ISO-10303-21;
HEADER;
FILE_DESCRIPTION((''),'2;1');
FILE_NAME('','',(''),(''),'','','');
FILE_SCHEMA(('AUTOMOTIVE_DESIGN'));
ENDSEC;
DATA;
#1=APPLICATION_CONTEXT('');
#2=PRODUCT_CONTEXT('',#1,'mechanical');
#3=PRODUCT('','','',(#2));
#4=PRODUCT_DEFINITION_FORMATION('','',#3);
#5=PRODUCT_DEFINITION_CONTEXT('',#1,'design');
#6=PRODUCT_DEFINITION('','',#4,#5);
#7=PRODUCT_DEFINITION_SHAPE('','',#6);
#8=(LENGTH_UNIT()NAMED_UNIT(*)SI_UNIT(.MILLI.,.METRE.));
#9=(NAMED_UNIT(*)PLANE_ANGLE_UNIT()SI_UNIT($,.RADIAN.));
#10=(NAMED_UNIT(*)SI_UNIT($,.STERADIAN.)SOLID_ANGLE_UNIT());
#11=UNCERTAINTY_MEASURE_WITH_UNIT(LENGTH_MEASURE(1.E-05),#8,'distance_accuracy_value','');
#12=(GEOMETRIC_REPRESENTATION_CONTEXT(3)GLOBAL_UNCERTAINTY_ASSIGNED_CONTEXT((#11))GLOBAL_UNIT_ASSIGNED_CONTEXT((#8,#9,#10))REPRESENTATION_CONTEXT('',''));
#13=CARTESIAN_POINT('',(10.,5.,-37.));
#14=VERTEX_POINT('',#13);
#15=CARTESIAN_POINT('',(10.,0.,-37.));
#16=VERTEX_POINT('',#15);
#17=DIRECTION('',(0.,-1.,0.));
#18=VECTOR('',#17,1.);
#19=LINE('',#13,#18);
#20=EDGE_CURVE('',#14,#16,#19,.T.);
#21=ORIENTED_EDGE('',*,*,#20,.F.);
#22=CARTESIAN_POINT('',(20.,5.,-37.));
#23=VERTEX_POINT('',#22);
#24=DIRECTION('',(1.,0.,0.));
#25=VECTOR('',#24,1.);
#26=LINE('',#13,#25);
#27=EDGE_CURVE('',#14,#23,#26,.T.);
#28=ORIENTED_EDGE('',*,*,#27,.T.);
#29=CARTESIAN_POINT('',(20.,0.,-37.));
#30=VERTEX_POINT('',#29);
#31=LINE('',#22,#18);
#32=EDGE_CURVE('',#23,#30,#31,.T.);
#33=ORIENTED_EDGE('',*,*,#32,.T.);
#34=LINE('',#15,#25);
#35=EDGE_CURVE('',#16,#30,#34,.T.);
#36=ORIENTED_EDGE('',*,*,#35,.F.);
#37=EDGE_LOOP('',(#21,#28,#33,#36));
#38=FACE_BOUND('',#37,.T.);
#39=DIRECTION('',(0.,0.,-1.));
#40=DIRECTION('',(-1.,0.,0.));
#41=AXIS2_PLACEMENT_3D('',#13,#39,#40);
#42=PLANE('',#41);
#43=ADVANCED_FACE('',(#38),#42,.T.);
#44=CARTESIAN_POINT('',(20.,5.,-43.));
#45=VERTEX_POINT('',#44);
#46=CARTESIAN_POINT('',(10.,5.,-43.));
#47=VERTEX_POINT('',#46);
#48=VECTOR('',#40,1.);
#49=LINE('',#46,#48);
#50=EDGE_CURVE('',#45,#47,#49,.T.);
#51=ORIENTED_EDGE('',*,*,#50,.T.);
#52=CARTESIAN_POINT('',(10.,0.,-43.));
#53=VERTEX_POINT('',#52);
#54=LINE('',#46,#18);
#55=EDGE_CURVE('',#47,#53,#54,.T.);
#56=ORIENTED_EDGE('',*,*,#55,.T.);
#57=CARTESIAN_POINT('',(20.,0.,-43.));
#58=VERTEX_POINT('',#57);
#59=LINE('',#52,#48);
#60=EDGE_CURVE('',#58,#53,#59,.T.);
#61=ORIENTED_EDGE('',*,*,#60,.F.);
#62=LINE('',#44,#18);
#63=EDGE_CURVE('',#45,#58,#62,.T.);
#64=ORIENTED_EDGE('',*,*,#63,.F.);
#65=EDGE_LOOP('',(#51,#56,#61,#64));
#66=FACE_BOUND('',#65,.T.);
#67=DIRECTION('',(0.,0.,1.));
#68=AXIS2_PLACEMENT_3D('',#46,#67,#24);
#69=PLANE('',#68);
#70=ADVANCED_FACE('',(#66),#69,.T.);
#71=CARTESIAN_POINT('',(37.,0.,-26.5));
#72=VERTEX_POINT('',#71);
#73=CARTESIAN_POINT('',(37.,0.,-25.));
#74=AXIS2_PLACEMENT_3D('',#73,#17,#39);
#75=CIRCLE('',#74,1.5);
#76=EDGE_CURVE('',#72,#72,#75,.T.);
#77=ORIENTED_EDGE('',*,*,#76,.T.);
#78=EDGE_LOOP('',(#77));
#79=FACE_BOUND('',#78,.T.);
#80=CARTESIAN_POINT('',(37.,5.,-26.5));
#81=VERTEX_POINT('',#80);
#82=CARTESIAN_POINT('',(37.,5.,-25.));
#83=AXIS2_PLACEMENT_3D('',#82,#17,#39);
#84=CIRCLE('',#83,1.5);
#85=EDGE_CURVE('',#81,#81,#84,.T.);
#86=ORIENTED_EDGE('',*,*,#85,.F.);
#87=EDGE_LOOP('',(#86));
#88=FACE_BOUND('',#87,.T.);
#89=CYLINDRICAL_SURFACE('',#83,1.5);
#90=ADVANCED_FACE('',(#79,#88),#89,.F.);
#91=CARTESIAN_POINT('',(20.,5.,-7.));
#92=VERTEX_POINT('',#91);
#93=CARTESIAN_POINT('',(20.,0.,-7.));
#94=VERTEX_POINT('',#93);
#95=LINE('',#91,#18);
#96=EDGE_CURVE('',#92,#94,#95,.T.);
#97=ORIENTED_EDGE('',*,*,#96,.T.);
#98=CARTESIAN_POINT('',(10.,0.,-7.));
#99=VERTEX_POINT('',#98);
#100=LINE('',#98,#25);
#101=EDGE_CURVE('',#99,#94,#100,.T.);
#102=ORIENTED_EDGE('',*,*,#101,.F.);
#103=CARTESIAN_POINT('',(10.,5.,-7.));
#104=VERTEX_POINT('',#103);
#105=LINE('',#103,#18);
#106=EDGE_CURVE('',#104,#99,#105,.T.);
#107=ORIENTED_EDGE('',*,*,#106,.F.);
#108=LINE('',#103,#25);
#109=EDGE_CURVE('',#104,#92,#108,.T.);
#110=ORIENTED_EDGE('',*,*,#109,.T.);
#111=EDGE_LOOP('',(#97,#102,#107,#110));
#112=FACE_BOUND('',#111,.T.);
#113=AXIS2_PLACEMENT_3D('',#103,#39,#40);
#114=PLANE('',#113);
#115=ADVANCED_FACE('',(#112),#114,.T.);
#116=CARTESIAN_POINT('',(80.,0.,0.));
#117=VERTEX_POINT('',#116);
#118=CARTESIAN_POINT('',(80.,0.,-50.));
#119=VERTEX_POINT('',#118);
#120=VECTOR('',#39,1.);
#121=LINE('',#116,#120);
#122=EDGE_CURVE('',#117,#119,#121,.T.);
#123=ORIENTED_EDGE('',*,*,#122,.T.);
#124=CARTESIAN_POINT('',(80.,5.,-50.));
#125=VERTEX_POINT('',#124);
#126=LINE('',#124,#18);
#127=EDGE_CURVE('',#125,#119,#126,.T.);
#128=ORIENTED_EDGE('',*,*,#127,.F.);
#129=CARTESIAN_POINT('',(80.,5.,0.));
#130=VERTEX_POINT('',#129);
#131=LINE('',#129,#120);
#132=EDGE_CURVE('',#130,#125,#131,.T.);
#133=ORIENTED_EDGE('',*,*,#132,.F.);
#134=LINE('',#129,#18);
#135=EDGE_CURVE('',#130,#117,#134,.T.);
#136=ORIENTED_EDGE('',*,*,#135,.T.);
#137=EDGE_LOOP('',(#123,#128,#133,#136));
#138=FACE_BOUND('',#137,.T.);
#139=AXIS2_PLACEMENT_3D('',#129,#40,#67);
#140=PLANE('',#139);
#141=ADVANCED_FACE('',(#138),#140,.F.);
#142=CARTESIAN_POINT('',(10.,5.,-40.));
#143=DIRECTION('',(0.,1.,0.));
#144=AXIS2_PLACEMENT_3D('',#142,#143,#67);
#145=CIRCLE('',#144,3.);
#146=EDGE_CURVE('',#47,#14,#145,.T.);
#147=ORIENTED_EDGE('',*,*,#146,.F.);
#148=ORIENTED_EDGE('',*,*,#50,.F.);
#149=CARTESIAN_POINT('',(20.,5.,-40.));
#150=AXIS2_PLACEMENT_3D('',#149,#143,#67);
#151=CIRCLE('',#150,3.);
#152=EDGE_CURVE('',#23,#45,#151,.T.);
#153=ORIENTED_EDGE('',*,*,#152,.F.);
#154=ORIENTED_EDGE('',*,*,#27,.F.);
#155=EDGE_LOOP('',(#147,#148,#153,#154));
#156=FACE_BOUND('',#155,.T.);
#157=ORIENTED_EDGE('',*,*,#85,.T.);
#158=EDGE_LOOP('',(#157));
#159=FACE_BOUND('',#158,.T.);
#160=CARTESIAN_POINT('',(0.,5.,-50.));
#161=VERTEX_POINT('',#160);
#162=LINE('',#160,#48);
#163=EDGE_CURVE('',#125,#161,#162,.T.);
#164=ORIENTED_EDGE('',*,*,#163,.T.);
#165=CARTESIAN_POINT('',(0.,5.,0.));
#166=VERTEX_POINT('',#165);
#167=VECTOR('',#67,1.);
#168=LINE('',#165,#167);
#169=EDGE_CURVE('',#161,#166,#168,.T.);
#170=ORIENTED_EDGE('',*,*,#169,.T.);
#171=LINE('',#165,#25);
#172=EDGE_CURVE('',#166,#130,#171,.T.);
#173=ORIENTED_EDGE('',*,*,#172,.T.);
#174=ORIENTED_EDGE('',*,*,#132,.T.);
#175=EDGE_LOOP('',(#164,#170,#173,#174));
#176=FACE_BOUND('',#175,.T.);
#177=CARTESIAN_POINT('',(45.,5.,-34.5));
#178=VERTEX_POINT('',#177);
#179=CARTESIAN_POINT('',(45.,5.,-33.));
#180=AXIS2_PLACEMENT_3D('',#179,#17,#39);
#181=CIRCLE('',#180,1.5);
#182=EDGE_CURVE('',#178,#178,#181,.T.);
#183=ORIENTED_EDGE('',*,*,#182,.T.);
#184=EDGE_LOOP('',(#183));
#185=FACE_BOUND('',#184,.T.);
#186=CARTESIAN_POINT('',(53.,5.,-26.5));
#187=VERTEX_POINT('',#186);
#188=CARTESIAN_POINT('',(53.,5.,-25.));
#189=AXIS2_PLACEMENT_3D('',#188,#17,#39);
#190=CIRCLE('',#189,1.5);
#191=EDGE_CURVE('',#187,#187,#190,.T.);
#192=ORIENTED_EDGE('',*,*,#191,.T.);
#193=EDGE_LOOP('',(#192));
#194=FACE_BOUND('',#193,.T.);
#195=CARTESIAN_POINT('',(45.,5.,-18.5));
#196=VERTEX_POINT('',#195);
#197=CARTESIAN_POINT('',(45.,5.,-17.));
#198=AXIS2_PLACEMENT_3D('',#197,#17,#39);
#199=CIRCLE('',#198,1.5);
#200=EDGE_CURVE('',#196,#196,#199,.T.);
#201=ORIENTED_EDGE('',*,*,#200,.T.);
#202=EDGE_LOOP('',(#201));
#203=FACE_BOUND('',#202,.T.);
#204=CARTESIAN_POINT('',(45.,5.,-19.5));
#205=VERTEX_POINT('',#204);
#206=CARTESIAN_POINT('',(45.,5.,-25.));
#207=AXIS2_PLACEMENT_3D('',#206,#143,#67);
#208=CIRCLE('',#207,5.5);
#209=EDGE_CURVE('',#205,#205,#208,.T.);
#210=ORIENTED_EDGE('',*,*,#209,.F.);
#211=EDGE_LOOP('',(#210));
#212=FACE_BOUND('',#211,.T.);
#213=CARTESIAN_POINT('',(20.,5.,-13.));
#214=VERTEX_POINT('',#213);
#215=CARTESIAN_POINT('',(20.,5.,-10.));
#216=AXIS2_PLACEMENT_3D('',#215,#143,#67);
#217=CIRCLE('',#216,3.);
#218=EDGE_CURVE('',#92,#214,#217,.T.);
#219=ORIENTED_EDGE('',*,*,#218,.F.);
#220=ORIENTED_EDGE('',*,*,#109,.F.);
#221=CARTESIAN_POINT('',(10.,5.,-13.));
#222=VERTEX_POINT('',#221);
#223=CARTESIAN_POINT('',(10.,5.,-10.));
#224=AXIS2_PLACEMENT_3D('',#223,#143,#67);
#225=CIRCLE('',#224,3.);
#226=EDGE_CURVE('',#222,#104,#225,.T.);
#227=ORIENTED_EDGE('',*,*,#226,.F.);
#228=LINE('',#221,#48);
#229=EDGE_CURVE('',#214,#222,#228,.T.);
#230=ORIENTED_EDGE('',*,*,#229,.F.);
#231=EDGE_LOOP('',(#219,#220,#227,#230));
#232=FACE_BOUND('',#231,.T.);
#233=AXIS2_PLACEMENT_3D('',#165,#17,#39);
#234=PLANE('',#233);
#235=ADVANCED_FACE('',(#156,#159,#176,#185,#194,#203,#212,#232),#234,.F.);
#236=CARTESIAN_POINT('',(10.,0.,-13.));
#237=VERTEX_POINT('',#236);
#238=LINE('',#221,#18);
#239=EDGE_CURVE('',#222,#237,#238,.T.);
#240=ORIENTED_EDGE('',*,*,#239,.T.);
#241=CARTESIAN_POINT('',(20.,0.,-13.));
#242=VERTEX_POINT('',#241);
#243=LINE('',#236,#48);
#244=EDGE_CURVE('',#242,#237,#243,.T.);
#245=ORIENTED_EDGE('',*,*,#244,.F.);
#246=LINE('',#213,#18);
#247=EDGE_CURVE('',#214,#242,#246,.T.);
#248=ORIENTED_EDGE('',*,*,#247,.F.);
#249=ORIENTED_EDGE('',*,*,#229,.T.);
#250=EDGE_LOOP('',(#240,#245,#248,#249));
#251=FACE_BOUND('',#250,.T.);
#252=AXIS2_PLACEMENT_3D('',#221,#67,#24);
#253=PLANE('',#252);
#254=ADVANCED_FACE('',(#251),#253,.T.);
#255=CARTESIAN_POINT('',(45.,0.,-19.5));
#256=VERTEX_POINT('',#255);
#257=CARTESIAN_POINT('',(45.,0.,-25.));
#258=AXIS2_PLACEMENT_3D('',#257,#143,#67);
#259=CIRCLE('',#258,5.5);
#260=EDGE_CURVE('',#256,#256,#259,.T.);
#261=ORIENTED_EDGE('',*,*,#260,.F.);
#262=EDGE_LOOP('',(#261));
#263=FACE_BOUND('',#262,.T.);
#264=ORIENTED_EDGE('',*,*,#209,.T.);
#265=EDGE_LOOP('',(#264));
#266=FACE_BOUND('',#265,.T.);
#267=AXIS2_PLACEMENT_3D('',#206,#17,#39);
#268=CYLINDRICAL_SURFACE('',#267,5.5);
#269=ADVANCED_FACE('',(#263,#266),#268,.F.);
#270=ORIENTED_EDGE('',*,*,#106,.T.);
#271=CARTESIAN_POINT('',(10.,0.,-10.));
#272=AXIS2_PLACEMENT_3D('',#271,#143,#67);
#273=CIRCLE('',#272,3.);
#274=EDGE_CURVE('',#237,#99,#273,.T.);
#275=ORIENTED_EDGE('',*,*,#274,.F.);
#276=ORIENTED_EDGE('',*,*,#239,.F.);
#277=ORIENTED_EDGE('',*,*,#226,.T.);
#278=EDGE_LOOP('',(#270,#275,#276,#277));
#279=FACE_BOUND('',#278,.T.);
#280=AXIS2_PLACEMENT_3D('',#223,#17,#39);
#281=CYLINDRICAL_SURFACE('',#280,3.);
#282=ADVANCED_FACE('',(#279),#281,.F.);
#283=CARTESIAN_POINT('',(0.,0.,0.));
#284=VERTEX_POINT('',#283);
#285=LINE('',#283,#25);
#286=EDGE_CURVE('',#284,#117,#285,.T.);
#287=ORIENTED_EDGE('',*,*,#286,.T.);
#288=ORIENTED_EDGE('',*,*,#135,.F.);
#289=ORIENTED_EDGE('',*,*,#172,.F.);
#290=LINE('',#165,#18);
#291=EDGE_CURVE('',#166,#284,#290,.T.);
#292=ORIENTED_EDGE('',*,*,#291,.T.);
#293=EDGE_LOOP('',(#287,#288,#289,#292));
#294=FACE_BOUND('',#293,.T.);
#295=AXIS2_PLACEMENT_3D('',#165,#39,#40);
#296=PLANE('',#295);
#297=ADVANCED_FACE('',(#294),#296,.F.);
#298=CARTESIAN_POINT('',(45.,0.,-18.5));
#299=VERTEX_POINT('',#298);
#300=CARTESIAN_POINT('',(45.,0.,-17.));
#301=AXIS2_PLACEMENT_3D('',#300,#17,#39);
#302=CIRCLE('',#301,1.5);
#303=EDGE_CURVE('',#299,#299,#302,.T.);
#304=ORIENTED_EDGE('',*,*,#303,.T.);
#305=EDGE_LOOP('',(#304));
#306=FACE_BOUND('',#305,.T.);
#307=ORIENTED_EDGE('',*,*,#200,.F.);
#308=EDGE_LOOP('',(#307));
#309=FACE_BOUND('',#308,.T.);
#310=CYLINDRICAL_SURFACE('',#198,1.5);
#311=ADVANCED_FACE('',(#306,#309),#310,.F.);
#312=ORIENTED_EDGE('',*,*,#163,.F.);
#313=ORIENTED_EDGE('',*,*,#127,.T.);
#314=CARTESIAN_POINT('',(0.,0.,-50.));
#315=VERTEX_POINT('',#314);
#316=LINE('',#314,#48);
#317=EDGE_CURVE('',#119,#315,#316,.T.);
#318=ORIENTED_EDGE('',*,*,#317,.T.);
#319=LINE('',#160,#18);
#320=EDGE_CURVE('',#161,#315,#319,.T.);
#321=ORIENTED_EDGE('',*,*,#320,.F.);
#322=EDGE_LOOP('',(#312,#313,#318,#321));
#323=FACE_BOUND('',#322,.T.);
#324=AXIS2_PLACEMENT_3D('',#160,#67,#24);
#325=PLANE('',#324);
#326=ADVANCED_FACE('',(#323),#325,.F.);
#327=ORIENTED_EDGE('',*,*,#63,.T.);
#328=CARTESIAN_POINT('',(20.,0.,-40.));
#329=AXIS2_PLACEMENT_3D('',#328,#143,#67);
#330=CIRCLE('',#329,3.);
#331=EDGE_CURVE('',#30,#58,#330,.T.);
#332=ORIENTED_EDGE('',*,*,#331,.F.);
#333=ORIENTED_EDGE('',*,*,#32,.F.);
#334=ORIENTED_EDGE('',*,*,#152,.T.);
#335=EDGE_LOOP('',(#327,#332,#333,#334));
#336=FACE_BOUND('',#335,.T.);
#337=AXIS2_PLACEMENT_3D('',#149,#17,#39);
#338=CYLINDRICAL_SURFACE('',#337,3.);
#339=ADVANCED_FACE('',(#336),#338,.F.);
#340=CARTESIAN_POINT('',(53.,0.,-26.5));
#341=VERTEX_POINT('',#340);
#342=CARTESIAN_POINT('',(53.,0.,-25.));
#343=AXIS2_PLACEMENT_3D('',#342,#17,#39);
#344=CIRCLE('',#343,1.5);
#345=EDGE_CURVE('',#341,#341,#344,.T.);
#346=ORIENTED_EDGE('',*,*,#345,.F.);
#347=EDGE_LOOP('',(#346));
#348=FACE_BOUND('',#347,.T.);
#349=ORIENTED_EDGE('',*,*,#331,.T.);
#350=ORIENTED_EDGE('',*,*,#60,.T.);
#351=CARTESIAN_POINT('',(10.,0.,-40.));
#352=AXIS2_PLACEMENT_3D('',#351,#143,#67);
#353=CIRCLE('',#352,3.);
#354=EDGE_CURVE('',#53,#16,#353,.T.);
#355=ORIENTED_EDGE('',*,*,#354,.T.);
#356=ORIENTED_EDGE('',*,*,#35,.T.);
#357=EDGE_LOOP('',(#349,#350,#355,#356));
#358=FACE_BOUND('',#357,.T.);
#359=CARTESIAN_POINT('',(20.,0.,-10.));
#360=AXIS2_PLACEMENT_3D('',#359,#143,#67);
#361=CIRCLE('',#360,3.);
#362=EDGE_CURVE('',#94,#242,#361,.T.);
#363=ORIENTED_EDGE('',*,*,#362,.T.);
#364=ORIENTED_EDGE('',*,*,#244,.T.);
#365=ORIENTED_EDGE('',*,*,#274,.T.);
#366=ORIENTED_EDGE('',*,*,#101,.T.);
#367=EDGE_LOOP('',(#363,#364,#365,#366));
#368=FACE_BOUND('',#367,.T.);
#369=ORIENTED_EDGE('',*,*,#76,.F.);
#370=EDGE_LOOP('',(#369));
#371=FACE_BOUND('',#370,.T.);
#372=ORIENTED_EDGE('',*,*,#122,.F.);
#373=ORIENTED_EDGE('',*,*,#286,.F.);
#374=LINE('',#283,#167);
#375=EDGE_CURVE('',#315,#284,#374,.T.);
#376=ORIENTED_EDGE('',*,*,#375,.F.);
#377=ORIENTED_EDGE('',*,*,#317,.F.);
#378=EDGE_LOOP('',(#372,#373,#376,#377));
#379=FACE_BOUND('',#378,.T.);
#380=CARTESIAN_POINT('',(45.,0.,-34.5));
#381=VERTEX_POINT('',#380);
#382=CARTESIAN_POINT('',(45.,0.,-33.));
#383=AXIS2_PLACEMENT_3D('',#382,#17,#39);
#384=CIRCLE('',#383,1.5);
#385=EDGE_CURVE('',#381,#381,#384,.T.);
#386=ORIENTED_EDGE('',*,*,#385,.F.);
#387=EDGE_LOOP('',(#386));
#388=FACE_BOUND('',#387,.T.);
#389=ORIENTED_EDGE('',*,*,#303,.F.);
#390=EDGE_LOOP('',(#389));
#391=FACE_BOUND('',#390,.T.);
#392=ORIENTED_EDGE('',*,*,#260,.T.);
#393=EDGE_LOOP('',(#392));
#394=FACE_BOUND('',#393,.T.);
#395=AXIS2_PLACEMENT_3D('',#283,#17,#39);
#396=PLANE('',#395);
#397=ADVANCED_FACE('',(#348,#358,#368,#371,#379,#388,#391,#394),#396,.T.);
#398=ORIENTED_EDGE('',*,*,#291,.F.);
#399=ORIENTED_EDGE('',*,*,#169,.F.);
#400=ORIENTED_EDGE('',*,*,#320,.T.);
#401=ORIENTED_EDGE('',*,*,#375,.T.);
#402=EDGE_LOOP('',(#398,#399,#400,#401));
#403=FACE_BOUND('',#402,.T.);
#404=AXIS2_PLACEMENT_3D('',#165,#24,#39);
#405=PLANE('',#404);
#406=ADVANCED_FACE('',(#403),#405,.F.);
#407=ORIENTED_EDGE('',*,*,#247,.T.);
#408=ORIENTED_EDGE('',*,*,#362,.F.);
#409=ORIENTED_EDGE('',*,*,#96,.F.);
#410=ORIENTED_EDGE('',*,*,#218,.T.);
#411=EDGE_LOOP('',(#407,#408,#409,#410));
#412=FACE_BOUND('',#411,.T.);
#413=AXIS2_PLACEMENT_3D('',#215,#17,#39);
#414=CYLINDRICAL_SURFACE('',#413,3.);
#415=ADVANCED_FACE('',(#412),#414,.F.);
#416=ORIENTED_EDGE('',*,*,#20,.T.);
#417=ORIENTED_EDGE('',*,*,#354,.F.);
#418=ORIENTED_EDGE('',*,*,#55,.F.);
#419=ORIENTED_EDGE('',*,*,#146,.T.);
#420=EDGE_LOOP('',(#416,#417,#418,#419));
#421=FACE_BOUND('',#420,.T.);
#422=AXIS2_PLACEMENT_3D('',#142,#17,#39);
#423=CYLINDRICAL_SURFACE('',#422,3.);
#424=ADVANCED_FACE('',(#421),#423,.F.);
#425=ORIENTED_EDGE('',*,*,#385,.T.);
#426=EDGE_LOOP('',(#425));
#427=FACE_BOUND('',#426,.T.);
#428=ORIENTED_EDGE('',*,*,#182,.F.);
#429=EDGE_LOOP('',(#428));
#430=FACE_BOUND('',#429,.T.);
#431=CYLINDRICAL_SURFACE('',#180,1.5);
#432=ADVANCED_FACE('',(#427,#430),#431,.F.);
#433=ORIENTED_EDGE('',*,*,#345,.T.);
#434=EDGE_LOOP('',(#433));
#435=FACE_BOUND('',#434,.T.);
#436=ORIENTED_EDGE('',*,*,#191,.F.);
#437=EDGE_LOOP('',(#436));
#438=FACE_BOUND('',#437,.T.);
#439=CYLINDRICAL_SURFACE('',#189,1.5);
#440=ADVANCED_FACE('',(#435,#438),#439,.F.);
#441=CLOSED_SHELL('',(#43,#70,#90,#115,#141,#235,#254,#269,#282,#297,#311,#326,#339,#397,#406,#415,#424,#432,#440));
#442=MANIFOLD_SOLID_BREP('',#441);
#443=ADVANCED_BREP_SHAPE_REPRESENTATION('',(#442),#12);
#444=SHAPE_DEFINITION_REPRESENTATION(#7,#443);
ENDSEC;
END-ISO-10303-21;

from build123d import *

# Parameters (mm, degrees)
SKETCH1_W           = 80
SKETCH1_H           = 50
SKETCH1_R           = 5.5
BOSS_EXTRUDE1_DEPTH = 5
SKETCH3_R           = 1.5
CUT_EXTRUDE1_DEPTH  = 5


with BuildPart() as part:
    # Sketch1 → Boss-Extrude1 (new body)
    with BuildSketch(Plane(origin=(0, 0, 0), x_dir=(1, 0, 0), z_dir=(0, 1, 0))):
        with Locations((40, 25)):
            Rectangle(SKETCH1_W, SKETCH1_H)
        with Locations(Location((45, 25, 0), (0, 0, 270))):
            Circle(SKETCH1_R, mode=Mode.SUBTRACT)
        with BuildLine():
            Line((10, 43), (20, 43))
            ThreePointArc((20, 43), (23, 40), (20, 37))
            Line((20, 37), (10, 37))
            ThreePointArc((10, 37), (7, 40), (10, 43))
        make_face(mode=Mode.SUBTRACT)
        with BuildLine():
            Line((10, 13), (20, 13))
            ThreePointArc((20, 13), (23, 10), (20, 7))
            Line((20, 7), (10, 7))
            ThreePointArc((10, 7), (7, 10), (10, 13))
        make_face(mode=Mode.SUBTRACT)
    extrude(amount=BOSS_EXTRUDE1_DEPTH)

    # Sketch3 → Cut-Extrude1 (cut)
    with BuildSketch(Plane.XZ):
        with Locations(Location((45, -17, 0), (0, 0, 270))):
            Circle(SKETCH3_R)
        with Locations(Location((53, -25, 0), (0, 0, 270))):
            Circle(SKETCH3_R)
        with Locations(Location((45, -33, 0), (0, 0, 270))):
            Circle(SKETCH3_R)
        with Locations(Location((37, -25, 0), (0, 0, 270))):
            Circle(SKETCH3_R)
    extrude(amount=-CUT_EXTRUDE1_DEPTH, mode=Mode.SUBTRACT)


solid = part.part
